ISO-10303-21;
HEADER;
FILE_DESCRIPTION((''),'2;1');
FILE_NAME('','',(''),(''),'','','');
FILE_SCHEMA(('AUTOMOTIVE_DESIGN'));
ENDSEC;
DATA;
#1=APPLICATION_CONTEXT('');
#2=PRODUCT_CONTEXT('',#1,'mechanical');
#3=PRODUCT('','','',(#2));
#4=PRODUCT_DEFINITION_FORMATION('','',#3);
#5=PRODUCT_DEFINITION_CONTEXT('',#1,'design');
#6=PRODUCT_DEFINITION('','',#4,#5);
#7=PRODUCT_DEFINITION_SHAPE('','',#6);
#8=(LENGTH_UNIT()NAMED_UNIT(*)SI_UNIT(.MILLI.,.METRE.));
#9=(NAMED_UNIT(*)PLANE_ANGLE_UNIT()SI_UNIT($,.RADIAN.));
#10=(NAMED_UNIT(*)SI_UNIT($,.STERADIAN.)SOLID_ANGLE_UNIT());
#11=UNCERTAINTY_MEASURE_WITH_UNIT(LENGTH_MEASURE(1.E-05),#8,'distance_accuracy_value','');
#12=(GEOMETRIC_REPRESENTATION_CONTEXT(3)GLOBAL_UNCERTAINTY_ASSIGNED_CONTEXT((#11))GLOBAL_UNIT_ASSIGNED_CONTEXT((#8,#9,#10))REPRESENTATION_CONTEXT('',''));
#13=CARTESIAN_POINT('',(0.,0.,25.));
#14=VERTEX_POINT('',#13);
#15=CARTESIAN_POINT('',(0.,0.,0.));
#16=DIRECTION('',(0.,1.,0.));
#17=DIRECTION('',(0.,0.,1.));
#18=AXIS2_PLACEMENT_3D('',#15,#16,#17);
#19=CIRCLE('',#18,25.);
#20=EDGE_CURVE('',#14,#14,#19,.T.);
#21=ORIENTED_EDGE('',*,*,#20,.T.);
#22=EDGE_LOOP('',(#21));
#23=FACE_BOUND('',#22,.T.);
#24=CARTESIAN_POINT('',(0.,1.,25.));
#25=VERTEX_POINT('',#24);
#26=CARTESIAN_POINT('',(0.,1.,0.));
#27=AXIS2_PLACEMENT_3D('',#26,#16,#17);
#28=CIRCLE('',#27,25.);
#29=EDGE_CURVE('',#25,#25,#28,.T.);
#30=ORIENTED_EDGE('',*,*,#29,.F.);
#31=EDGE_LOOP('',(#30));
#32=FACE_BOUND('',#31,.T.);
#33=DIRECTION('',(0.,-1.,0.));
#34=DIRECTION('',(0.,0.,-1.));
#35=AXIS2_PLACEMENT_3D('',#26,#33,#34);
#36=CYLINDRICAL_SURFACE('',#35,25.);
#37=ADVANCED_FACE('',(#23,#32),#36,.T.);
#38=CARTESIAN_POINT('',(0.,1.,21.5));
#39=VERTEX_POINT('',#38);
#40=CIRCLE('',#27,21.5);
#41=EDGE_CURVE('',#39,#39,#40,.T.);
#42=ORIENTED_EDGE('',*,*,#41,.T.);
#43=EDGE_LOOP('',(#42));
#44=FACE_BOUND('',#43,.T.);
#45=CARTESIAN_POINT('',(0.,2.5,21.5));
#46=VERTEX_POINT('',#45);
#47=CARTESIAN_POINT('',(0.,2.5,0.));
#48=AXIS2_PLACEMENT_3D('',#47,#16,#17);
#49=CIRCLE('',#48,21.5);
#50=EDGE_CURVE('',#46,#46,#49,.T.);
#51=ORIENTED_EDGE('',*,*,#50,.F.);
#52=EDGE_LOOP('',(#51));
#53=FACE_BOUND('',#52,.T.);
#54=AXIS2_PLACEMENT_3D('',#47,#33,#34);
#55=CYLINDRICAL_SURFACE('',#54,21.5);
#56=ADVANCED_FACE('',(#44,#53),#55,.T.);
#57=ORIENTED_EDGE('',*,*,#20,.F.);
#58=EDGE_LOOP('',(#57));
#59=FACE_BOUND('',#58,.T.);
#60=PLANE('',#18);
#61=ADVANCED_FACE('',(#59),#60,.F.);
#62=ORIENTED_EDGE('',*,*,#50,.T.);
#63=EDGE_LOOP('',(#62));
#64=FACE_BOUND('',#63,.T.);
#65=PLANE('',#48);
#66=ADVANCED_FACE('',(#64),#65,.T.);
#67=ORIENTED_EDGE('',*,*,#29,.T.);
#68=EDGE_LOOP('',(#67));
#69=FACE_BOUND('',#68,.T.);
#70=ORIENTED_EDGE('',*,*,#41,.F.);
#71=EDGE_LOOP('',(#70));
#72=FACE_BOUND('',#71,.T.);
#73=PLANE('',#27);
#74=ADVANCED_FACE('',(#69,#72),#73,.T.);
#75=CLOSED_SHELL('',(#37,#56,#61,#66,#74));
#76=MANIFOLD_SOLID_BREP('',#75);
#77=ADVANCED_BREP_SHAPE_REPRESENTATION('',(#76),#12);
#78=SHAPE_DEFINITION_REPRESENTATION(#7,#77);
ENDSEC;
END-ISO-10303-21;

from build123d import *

# Parameters (mm, degrees)
SKETCH1_R           = 25
BOSS_EXTRUDE1_DEPTH = 1
SKETCH2_R           = 21.5
BOSS_EXTRUDE2_DEPTH = 1.5


with BuildPart() as part:
    # Sketch1 → Boss-Extrude1 (new body)
    with BuildSketch(Plane(origin=(0, 0, 0), x_dir=(1, 0, 0), z_dir=(0, 1, 0))):
        Circle(SKETCH1_R)
    extrude(amount=BOSS_EXTRUDE1_DEPTH)

    # Sketch2 → Boss-Extrude2 (add)
    with BuildSketch(Plane(origin=(0, 1, 0), x_dir=(1, 0, 0), z_dir=(0, 1, 0))):
        Circle(SKETCH2_R)
    extrude(amount=BOSS_EXTRUDE2_DEPTH)


solid = part.part
